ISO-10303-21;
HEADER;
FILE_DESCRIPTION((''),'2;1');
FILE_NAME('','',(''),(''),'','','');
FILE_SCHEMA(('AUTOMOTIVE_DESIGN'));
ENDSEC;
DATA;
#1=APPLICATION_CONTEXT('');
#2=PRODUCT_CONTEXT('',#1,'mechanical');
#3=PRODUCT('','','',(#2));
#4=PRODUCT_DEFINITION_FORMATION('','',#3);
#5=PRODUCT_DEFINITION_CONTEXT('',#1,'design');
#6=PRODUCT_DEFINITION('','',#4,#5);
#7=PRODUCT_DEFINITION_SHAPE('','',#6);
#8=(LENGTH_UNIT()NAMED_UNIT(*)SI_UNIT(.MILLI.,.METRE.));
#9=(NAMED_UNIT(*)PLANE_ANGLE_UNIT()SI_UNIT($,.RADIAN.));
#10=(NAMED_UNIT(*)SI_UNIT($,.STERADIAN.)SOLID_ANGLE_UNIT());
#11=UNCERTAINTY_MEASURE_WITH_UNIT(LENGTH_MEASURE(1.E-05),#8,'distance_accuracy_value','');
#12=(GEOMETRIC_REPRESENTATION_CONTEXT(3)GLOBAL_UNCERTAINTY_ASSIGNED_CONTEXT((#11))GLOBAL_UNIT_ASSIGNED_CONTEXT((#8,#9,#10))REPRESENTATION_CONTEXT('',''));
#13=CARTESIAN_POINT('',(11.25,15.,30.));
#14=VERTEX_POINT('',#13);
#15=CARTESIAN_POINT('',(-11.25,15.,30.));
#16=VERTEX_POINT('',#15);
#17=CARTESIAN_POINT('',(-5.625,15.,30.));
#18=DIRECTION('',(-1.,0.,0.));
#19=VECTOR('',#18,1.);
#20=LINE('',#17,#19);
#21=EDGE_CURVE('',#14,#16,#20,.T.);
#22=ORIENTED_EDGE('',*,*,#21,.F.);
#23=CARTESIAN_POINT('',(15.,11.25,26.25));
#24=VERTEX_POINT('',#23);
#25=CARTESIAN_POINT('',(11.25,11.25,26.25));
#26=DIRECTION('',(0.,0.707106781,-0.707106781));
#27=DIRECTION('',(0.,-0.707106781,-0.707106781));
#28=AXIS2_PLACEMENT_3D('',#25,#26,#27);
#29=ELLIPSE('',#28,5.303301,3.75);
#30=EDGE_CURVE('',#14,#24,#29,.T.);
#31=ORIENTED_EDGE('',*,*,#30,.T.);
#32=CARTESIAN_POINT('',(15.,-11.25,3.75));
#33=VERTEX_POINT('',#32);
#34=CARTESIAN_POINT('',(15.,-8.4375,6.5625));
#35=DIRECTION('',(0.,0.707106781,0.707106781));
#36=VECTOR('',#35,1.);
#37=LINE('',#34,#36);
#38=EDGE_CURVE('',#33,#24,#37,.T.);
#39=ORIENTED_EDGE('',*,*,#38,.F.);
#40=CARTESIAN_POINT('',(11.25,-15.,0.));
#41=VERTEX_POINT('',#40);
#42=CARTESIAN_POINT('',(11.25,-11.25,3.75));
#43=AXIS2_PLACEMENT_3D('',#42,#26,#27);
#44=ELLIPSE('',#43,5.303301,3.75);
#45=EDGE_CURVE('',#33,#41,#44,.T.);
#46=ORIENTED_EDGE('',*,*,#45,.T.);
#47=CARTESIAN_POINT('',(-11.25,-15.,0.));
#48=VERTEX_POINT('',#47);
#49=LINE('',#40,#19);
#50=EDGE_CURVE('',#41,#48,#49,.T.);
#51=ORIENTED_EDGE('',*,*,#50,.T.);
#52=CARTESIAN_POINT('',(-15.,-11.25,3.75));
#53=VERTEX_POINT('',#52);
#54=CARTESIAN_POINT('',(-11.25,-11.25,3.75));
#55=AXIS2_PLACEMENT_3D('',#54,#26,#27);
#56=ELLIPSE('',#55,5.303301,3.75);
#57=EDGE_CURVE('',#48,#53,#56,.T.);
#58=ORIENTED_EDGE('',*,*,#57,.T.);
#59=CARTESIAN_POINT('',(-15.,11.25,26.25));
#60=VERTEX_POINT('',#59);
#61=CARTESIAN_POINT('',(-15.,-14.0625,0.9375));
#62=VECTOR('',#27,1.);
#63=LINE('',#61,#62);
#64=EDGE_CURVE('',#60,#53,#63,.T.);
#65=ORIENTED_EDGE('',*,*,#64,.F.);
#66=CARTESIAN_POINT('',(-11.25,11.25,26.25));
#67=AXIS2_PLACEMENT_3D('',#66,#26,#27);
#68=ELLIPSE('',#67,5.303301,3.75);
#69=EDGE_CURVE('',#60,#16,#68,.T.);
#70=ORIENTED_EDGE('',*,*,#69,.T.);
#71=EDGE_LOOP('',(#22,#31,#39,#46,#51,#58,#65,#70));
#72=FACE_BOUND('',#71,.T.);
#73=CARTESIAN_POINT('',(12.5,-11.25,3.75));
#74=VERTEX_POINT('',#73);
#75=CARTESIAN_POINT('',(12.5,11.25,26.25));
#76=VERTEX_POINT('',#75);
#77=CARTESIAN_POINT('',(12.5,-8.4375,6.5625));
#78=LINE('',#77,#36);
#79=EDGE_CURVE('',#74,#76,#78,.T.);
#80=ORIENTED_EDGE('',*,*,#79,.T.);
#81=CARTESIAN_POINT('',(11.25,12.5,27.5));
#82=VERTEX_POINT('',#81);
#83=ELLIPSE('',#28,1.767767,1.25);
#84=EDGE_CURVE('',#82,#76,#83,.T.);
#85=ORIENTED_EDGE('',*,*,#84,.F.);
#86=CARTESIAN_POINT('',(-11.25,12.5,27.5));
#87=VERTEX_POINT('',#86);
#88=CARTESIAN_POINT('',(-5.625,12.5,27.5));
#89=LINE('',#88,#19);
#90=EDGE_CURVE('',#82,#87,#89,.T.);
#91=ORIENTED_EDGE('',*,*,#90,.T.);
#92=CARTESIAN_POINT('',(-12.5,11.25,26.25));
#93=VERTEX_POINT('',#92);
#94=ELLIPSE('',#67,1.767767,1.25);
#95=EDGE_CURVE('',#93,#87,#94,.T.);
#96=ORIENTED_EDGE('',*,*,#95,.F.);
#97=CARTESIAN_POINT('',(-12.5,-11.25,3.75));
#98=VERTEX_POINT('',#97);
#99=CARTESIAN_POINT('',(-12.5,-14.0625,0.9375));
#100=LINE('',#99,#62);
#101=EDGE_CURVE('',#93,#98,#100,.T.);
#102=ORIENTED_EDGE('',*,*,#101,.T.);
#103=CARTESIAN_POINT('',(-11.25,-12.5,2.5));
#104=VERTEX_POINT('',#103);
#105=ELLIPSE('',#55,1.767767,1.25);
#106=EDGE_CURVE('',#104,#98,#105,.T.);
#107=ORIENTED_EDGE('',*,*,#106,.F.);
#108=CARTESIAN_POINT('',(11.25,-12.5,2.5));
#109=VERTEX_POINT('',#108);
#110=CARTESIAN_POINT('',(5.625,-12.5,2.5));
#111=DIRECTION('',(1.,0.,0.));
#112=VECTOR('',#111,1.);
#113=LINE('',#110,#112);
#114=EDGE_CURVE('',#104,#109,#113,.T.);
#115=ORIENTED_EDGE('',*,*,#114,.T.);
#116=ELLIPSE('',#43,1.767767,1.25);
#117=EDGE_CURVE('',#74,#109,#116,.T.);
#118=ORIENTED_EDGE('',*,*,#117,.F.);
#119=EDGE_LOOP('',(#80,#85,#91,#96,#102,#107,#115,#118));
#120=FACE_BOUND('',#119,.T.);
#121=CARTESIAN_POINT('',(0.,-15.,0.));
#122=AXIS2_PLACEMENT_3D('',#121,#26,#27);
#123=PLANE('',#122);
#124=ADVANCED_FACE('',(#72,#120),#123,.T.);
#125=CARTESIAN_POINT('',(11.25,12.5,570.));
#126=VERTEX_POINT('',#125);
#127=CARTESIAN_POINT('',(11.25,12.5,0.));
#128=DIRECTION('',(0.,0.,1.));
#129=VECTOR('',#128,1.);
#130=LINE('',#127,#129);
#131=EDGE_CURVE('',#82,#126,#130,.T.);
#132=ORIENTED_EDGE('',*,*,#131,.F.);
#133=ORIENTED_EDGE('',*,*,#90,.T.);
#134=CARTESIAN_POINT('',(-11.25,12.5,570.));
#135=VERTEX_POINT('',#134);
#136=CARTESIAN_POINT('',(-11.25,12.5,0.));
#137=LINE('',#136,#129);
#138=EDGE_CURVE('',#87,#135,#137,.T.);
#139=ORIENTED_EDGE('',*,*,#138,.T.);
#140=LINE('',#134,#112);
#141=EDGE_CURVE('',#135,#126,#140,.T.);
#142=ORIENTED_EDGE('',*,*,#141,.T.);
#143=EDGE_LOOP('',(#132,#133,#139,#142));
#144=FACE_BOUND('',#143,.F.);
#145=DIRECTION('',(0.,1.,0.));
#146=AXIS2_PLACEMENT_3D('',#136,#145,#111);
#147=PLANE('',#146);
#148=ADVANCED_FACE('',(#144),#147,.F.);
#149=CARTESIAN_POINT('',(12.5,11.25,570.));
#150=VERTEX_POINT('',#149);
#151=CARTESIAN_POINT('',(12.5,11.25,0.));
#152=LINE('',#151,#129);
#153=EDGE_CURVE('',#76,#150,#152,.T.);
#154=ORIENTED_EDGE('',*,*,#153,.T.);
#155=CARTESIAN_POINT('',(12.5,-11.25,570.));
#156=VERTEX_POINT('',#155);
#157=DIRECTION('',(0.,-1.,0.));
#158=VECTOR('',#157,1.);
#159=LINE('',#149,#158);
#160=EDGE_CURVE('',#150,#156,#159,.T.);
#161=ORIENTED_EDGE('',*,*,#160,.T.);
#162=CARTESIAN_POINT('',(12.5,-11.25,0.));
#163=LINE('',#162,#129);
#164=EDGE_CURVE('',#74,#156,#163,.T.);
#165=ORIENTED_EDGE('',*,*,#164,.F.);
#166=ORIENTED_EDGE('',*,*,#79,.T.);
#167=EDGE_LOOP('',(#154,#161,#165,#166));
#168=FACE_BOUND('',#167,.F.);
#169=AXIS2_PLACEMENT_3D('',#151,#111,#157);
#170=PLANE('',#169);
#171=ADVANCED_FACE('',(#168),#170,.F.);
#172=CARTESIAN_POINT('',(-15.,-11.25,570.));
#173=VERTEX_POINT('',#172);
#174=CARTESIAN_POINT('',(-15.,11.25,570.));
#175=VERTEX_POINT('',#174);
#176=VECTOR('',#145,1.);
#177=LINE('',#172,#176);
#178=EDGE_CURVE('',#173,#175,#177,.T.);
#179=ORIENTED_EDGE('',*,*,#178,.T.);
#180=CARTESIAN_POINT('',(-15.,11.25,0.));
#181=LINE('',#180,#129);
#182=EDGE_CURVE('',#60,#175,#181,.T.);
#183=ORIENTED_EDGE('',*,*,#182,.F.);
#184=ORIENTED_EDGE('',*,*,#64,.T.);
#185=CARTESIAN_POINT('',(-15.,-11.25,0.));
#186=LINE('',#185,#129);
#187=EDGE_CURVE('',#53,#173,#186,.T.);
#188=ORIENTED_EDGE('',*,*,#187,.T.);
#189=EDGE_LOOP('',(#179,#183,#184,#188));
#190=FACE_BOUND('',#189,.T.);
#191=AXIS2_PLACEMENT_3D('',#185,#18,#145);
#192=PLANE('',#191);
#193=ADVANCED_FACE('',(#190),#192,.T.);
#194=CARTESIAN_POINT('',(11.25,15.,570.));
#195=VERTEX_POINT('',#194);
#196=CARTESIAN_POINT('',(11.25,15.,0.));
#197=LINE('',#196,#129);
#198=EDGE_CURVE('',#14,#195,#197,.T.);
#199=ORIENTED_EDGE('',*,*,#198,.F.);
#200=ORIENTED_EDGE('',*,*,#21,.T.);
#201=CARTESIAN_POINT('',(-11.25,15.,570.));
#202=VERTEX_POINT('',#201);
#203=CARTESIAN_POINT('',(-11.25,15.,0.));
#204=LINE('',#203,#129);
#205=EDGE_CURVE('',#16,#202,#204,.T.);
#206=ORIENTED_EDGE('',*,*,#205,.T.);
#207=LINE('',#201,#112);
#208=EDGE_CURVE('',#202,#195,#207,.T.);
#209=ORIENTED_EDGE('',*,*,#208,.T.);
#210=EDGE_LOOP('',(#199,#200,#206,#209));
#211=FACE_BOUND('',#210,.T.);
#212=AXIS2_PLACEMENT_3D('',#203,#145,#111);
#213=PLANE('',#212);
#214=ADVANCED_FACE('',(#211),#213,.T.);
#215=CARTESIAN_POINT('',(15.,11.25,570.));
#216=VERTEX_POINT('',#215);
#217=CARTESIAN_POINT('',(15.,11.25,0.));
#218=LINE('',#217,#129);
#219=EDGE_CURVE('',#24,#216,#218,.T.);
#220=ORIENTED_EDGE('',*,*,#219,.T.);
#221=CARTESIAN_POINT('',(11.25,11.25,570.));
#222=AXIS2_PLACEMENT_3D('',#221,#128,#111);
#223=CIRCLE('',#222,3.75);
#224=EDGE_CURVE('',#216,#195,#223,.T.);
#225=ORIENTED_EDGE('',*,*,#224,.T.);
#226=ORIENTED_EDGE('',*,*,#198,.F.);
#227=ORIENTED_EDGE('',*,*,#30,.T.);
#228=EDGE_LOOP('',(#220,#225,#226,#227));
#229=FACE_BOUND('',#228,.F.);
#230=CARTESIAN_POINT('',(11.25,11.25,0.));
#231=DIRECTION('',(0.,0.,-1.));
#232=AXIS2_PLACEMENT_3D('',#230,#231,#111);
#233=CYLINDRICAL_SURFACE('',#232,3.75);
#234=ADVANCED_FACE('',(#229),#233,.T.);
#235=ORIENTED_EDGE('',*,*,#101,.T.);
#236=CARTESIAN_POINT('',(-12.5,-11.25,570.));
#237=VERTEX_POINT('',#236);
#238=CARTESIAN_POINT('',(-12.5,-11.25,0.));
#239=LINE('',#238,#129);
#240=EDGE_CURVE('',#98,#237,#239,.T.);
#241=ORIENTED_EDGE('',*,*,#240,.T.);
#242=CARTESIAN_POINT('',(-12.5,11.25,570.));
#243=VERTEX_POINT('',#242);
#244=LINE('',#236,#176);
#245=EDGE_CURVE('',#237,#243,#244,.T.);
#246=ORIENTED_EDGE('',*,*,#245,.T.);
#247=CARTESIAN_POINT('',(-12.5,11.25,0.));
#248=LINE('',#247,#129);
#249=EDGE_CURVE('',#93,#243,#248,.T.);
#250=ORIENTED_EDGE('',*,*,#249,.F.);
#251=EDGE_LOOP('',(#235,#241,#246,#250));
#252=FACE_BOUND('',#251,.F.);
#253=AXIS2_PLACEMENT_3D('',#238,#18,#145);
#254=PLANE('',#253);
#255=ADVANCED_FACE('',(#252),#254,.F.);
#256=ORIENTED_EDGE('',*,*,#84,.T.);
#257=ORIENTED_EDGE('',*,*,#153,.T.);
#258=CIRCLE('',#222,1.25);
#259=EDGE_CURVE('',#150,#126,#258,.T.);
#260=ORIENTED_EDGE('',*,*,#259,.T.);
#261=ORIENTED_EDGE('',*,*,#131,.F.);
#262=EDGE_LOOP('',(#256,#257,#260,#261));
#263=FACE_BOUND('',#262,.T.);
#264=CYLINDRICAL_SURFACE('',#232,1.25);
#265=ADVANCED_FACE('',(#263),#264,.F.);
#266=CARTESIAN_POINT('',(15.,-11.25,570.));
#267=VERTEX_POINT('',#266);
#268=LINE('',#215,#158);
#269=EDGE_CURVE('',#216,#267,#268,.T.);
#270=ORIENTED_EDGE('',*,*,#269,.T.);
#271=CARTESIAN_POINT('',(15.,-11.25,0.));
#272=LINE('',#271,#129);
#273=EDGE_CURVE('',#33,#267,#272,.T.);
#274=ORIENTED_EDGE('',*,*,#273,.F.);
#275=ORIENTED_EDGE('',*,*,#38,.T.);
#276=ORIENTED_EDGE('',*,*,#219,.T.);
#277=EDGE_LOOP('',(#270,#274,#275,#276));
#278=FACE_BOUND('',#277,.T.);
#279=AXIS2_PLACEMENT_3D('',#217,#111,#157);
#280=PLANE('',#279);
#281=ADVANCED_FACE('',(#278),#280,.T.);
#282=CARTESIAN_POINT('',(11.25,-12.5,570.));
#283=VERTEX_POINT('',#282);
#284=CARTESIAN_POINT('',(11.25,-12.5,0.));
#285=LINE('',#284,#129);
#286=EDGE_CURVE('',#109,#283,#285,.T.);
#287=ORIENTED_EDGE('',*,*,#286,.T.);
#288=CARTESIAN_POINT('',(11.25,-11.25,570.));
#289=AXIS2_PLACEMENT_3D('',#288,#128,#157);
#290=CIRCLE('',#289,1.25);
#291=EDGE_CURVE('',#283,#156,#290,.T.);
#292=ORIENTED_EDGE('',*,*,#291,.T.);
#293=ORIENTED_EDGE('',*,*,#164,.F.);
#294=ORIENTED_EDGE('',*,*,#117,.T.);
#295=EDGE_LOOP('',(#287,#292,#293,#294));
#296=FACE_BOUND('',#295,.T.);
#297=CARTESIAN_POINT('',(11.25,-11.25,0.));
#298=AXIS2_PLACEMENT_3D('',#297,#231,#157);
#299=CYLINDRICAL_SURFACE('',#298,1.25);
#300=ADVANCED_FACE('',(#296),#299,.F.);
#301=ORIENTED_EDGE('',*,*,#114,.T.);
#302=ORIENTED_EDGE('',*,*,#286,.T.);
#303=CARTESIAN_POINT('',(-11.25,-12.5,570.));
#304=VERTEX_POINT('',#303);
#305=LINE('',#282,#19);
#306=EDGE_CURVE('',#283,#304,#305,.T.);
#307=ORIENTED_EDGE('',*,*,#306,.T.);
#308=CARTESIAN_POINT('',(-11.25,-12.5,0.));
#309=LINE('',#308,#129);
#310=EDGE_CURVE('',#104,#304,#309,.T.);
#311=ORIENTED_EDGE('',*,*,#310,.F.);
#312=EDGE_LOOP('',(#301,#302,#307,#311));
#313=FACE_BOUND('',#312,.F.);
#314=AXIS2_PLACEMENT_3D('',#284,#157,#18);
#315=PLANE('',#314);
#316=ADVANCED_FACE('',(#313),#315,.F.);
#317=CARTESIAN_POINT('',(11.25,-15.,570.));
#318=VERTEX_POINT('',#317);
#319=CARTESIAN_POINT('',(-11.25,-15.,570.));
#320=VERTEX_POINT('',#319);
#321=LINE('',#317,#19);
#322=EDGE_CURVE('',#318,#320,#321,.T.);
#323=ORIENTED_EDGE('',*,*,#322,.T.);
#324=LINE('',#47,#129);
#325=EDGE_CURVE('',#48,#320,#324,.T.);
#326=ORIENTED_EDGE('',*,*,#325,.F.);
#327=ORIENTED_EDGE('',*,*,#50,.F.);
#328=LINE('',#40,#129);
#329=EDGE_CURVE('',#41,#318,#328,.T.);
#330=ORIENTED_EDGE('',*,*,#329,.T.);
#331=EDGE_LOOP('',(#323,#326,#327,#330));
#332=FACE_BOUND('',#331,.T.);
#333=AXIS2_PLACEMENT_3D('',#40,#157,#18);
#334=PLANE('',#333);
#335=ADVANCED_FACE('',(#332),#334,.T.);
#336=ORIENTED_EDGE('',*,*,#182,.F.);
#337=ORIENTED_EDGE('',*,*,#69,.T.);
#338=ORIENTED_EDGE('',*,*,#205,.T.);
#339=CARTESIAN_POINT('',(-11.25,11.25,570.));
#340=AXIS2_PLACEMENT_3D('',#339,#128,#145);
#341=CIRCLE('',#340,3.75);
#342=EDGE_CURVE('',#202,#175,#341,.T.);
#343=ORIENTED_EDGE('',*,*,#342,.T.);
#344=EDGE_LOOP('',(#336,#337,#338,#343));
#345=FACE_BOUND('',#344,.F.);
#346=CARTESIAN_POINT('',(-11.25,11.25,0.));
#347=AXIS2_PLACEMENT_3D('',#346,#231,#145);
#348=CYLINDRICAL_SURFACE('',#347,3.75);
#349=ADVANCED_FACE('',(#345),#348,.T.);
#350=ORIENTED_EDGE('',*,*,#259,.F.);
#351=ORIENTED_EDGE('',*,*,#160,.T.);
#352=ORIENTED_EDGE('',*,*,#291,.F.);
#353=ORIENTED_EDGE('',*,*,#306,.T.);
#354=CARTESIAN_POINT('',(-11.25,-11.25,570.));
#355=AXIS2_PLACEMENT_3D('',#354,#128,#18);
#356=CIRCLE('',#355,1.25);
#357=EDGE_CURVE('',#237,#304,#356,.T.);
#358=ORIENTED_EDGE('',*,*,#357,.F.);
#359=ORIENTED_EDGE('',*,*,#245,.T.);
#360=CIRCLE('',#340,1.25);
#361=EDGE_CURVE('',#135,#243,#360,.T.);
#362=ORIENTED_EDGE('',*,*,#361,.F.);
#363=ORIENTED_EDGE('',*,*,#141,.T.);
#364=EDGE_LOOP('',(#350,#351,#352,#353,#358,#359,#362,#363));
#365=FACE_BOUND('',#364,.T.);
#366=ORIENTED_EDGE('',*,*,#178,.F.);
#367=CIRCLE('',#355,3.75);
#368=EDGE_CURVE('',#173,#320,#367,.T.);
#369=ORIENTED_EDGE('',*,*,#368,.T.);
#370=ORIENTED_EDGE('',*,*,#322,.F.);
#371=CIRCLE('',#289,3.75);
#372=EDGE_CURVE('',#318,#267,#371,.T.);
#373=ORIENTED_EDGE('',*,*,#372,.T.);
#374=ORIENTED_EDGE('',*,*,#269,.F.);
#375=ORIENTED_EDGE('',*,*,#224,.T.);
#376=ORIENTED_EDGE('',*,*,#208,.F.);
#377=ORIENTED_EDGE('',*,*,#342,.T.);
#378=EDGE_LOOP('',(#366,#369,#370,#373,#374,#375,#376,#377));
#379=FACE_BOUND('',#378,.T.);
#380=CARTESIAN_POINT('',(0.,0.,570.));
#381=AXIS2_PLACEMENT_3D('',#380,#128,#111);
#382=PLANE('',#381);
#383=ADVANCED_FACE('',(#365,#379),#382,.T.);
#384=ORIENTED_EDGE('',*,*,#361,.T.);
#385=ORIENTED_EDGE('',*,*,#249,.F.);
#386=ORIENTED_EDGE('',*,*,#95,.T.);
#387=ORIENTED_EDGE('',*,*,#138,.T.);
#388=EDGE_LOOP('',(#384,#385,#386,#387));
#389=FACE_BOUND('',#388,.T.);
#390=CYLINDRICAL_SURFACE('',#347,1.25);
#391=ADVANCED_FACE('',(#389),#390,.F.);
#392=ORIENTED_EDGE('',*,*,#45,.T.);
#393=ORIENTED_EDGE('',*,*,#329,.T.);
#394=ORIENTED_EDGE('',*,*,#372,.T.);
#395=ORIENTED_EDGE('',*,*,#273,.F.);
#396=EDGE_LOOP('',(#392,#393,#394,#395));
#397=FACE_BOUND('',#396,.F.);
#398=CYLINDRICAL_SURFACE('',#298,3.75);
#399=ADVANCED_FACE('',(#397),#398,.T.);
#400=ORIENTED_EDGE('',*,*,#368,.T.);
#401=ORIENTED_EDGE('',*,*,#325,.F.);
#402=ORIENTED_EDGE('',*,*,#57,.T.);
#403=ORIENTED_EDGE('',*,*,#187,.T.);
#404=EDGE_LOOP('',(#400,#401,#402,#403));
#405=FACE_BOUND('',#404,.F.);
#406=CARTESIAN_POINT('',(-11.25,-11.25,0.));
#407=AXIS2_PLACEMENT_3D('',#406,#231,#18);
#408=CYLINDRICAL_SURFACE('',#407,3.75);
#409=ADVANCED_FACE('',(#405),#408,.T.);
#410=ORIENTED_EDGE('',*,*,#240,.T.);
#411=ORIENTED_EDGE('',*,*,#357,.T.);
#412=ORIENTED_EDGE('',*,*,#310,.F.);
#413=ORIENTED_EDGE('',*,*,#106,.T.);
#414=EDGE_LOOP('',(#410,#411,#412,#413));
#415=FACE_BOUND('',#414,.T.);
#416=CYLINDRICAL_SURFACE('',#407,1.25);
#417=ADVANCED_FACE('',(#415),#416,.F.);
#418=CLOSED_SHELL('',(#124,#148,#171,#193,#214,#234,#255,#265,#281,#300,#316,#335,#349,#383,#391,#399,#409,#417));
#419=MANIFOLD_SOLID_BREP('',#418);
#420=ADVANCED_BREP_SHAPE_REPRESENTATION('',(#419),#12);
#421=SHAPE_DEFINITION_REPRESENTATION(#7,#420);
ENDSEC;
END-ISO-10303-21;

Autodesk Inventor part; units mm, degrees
ref_plane "Start plane" through (0, 0, 0) normal (0, 0, 1) x (1, 0, 0)
ref_plane "End plane" through (0, 0, 570) normal (0, 0, 1) x (1, 0, 0)
sketch "Sketch" plane through (0, 0, 0) normal (0, 0, 1) x (1, 0, 0)
  line L0 (-15, -11.25) -> (-15, 11.25)
  line L1 (-11.25, 15) -> (11.25, 15)
  line L2 (15, 11.25) -> (15, -11.25)
  line L3 (11.25, -15) -> (-11.25, -15)
  arc A0 (-15, -11.25) -> (-11.25, -15) centre (-11.25, -11.25) ccw
  arc A1 (-11.25, 15) -> (-15, 11.25) centre (-11.25, 11.25) ccw
  arc A2 (15, 11.25) -> (11.25, 15) centre (11.25, 11.25) ccw
  arc A3 (11.25, -15) -> (15, -11.25) centre (11.25, -11.25) ccw
  arc A4 (-11.25, 12.5) -> (-12.5, 11.25) centre (-11.25, 11.25) ccw
  line L4 (-11.25, 12.5) -> (11.25, 12.5)
  arc A5 (12.5, 11.25) -> (11.25, 12.5) centre (11.25, 11.25) ccw
  line L5 (12.5, 11.25) -> (12.5, -11.25)
  arc A6 (11.25, -12.5) -> (12.5, -11.25) centre (11.25, -11.25) ccw
  line L6 (11.25, -12.5) -> (-11.25, -12.5)
  arc A7 (-12.5, -11.25) -> (-11.25, -12.5) centre (-11.25, -11.25) ccw
  line L7 (-12.5, -11.25) -> (-12.5, 11.25)
  line L8 (0, 22.0873) -> (0, -22.0873) construction
  line L9 (-22.0873, 0) -> (22.0873, 0) construction
  dimension "d7" = 3.75
  dimension "d10" = 30
  dimension "d11" = 30
  dimension "d12" = 2.5
  dimension "d15" = 15
  dimension "d16" = 15
extrude "Body" add sketch "Sketch" along normal up to surface (570 mm away) from surface at 0
sketch "Sketch3" plane through (0, 0, 0) normal (0, 0, 1) x (1, 0, 0)
  line L0 (0, 0) -> (10, 0)
ref_plane "Work Plane3" through (0, 0, 0) normal (0, -1, 0) x (1, 0, 0)
sketch "Sketch4" plane through (0, 0, 0) normal (0, -1, 0) x (1, 0, 0)
  line L0 (-2, 0) -> (12, 0)
  line L1 (-2, 570) -> (12, 570)
  dimension "d18" = 570
ref_plane "Work Plane4" through (0, -15, 0) normal (0, 0.7071, -0.7071) x (1, 0, 0)
split "Split1" plane through (0, -15, 0) removes the side toward (0, 0.7071, -0.7071)
ref_plane "Work Plane5" through (1297, 609.75, 570) normal (0, 0, 1) x (1, 0, 0)
split "Split2" plane through (1297, 609.75, 570) removes the side toward (0, 0, 1)
equation "\"d7\" = G_IR"
equation "\"d10\" = G_H"
equation "\"d11\" = G_W"
equation "\"d12\" = G_T"
equation "\"d15\" = 0.5 * d10"
equation "\"d16\" = 0.5 * d11"
equation "\"d3\" = G_L"
equation "\"G_W\" = 30"
equation "\"G_H\" = 30"
equation "\"G_T\" = 2.5"
equation "\"G_IR\" = 3.75"
equation "\"G_L\" = d18"
equation "\"G_OFFSET_START\" = 0"
properties part number "DIN EN 10305-5 - 30 x 30 x 2,5  - 570" material "Steel, Mild"
